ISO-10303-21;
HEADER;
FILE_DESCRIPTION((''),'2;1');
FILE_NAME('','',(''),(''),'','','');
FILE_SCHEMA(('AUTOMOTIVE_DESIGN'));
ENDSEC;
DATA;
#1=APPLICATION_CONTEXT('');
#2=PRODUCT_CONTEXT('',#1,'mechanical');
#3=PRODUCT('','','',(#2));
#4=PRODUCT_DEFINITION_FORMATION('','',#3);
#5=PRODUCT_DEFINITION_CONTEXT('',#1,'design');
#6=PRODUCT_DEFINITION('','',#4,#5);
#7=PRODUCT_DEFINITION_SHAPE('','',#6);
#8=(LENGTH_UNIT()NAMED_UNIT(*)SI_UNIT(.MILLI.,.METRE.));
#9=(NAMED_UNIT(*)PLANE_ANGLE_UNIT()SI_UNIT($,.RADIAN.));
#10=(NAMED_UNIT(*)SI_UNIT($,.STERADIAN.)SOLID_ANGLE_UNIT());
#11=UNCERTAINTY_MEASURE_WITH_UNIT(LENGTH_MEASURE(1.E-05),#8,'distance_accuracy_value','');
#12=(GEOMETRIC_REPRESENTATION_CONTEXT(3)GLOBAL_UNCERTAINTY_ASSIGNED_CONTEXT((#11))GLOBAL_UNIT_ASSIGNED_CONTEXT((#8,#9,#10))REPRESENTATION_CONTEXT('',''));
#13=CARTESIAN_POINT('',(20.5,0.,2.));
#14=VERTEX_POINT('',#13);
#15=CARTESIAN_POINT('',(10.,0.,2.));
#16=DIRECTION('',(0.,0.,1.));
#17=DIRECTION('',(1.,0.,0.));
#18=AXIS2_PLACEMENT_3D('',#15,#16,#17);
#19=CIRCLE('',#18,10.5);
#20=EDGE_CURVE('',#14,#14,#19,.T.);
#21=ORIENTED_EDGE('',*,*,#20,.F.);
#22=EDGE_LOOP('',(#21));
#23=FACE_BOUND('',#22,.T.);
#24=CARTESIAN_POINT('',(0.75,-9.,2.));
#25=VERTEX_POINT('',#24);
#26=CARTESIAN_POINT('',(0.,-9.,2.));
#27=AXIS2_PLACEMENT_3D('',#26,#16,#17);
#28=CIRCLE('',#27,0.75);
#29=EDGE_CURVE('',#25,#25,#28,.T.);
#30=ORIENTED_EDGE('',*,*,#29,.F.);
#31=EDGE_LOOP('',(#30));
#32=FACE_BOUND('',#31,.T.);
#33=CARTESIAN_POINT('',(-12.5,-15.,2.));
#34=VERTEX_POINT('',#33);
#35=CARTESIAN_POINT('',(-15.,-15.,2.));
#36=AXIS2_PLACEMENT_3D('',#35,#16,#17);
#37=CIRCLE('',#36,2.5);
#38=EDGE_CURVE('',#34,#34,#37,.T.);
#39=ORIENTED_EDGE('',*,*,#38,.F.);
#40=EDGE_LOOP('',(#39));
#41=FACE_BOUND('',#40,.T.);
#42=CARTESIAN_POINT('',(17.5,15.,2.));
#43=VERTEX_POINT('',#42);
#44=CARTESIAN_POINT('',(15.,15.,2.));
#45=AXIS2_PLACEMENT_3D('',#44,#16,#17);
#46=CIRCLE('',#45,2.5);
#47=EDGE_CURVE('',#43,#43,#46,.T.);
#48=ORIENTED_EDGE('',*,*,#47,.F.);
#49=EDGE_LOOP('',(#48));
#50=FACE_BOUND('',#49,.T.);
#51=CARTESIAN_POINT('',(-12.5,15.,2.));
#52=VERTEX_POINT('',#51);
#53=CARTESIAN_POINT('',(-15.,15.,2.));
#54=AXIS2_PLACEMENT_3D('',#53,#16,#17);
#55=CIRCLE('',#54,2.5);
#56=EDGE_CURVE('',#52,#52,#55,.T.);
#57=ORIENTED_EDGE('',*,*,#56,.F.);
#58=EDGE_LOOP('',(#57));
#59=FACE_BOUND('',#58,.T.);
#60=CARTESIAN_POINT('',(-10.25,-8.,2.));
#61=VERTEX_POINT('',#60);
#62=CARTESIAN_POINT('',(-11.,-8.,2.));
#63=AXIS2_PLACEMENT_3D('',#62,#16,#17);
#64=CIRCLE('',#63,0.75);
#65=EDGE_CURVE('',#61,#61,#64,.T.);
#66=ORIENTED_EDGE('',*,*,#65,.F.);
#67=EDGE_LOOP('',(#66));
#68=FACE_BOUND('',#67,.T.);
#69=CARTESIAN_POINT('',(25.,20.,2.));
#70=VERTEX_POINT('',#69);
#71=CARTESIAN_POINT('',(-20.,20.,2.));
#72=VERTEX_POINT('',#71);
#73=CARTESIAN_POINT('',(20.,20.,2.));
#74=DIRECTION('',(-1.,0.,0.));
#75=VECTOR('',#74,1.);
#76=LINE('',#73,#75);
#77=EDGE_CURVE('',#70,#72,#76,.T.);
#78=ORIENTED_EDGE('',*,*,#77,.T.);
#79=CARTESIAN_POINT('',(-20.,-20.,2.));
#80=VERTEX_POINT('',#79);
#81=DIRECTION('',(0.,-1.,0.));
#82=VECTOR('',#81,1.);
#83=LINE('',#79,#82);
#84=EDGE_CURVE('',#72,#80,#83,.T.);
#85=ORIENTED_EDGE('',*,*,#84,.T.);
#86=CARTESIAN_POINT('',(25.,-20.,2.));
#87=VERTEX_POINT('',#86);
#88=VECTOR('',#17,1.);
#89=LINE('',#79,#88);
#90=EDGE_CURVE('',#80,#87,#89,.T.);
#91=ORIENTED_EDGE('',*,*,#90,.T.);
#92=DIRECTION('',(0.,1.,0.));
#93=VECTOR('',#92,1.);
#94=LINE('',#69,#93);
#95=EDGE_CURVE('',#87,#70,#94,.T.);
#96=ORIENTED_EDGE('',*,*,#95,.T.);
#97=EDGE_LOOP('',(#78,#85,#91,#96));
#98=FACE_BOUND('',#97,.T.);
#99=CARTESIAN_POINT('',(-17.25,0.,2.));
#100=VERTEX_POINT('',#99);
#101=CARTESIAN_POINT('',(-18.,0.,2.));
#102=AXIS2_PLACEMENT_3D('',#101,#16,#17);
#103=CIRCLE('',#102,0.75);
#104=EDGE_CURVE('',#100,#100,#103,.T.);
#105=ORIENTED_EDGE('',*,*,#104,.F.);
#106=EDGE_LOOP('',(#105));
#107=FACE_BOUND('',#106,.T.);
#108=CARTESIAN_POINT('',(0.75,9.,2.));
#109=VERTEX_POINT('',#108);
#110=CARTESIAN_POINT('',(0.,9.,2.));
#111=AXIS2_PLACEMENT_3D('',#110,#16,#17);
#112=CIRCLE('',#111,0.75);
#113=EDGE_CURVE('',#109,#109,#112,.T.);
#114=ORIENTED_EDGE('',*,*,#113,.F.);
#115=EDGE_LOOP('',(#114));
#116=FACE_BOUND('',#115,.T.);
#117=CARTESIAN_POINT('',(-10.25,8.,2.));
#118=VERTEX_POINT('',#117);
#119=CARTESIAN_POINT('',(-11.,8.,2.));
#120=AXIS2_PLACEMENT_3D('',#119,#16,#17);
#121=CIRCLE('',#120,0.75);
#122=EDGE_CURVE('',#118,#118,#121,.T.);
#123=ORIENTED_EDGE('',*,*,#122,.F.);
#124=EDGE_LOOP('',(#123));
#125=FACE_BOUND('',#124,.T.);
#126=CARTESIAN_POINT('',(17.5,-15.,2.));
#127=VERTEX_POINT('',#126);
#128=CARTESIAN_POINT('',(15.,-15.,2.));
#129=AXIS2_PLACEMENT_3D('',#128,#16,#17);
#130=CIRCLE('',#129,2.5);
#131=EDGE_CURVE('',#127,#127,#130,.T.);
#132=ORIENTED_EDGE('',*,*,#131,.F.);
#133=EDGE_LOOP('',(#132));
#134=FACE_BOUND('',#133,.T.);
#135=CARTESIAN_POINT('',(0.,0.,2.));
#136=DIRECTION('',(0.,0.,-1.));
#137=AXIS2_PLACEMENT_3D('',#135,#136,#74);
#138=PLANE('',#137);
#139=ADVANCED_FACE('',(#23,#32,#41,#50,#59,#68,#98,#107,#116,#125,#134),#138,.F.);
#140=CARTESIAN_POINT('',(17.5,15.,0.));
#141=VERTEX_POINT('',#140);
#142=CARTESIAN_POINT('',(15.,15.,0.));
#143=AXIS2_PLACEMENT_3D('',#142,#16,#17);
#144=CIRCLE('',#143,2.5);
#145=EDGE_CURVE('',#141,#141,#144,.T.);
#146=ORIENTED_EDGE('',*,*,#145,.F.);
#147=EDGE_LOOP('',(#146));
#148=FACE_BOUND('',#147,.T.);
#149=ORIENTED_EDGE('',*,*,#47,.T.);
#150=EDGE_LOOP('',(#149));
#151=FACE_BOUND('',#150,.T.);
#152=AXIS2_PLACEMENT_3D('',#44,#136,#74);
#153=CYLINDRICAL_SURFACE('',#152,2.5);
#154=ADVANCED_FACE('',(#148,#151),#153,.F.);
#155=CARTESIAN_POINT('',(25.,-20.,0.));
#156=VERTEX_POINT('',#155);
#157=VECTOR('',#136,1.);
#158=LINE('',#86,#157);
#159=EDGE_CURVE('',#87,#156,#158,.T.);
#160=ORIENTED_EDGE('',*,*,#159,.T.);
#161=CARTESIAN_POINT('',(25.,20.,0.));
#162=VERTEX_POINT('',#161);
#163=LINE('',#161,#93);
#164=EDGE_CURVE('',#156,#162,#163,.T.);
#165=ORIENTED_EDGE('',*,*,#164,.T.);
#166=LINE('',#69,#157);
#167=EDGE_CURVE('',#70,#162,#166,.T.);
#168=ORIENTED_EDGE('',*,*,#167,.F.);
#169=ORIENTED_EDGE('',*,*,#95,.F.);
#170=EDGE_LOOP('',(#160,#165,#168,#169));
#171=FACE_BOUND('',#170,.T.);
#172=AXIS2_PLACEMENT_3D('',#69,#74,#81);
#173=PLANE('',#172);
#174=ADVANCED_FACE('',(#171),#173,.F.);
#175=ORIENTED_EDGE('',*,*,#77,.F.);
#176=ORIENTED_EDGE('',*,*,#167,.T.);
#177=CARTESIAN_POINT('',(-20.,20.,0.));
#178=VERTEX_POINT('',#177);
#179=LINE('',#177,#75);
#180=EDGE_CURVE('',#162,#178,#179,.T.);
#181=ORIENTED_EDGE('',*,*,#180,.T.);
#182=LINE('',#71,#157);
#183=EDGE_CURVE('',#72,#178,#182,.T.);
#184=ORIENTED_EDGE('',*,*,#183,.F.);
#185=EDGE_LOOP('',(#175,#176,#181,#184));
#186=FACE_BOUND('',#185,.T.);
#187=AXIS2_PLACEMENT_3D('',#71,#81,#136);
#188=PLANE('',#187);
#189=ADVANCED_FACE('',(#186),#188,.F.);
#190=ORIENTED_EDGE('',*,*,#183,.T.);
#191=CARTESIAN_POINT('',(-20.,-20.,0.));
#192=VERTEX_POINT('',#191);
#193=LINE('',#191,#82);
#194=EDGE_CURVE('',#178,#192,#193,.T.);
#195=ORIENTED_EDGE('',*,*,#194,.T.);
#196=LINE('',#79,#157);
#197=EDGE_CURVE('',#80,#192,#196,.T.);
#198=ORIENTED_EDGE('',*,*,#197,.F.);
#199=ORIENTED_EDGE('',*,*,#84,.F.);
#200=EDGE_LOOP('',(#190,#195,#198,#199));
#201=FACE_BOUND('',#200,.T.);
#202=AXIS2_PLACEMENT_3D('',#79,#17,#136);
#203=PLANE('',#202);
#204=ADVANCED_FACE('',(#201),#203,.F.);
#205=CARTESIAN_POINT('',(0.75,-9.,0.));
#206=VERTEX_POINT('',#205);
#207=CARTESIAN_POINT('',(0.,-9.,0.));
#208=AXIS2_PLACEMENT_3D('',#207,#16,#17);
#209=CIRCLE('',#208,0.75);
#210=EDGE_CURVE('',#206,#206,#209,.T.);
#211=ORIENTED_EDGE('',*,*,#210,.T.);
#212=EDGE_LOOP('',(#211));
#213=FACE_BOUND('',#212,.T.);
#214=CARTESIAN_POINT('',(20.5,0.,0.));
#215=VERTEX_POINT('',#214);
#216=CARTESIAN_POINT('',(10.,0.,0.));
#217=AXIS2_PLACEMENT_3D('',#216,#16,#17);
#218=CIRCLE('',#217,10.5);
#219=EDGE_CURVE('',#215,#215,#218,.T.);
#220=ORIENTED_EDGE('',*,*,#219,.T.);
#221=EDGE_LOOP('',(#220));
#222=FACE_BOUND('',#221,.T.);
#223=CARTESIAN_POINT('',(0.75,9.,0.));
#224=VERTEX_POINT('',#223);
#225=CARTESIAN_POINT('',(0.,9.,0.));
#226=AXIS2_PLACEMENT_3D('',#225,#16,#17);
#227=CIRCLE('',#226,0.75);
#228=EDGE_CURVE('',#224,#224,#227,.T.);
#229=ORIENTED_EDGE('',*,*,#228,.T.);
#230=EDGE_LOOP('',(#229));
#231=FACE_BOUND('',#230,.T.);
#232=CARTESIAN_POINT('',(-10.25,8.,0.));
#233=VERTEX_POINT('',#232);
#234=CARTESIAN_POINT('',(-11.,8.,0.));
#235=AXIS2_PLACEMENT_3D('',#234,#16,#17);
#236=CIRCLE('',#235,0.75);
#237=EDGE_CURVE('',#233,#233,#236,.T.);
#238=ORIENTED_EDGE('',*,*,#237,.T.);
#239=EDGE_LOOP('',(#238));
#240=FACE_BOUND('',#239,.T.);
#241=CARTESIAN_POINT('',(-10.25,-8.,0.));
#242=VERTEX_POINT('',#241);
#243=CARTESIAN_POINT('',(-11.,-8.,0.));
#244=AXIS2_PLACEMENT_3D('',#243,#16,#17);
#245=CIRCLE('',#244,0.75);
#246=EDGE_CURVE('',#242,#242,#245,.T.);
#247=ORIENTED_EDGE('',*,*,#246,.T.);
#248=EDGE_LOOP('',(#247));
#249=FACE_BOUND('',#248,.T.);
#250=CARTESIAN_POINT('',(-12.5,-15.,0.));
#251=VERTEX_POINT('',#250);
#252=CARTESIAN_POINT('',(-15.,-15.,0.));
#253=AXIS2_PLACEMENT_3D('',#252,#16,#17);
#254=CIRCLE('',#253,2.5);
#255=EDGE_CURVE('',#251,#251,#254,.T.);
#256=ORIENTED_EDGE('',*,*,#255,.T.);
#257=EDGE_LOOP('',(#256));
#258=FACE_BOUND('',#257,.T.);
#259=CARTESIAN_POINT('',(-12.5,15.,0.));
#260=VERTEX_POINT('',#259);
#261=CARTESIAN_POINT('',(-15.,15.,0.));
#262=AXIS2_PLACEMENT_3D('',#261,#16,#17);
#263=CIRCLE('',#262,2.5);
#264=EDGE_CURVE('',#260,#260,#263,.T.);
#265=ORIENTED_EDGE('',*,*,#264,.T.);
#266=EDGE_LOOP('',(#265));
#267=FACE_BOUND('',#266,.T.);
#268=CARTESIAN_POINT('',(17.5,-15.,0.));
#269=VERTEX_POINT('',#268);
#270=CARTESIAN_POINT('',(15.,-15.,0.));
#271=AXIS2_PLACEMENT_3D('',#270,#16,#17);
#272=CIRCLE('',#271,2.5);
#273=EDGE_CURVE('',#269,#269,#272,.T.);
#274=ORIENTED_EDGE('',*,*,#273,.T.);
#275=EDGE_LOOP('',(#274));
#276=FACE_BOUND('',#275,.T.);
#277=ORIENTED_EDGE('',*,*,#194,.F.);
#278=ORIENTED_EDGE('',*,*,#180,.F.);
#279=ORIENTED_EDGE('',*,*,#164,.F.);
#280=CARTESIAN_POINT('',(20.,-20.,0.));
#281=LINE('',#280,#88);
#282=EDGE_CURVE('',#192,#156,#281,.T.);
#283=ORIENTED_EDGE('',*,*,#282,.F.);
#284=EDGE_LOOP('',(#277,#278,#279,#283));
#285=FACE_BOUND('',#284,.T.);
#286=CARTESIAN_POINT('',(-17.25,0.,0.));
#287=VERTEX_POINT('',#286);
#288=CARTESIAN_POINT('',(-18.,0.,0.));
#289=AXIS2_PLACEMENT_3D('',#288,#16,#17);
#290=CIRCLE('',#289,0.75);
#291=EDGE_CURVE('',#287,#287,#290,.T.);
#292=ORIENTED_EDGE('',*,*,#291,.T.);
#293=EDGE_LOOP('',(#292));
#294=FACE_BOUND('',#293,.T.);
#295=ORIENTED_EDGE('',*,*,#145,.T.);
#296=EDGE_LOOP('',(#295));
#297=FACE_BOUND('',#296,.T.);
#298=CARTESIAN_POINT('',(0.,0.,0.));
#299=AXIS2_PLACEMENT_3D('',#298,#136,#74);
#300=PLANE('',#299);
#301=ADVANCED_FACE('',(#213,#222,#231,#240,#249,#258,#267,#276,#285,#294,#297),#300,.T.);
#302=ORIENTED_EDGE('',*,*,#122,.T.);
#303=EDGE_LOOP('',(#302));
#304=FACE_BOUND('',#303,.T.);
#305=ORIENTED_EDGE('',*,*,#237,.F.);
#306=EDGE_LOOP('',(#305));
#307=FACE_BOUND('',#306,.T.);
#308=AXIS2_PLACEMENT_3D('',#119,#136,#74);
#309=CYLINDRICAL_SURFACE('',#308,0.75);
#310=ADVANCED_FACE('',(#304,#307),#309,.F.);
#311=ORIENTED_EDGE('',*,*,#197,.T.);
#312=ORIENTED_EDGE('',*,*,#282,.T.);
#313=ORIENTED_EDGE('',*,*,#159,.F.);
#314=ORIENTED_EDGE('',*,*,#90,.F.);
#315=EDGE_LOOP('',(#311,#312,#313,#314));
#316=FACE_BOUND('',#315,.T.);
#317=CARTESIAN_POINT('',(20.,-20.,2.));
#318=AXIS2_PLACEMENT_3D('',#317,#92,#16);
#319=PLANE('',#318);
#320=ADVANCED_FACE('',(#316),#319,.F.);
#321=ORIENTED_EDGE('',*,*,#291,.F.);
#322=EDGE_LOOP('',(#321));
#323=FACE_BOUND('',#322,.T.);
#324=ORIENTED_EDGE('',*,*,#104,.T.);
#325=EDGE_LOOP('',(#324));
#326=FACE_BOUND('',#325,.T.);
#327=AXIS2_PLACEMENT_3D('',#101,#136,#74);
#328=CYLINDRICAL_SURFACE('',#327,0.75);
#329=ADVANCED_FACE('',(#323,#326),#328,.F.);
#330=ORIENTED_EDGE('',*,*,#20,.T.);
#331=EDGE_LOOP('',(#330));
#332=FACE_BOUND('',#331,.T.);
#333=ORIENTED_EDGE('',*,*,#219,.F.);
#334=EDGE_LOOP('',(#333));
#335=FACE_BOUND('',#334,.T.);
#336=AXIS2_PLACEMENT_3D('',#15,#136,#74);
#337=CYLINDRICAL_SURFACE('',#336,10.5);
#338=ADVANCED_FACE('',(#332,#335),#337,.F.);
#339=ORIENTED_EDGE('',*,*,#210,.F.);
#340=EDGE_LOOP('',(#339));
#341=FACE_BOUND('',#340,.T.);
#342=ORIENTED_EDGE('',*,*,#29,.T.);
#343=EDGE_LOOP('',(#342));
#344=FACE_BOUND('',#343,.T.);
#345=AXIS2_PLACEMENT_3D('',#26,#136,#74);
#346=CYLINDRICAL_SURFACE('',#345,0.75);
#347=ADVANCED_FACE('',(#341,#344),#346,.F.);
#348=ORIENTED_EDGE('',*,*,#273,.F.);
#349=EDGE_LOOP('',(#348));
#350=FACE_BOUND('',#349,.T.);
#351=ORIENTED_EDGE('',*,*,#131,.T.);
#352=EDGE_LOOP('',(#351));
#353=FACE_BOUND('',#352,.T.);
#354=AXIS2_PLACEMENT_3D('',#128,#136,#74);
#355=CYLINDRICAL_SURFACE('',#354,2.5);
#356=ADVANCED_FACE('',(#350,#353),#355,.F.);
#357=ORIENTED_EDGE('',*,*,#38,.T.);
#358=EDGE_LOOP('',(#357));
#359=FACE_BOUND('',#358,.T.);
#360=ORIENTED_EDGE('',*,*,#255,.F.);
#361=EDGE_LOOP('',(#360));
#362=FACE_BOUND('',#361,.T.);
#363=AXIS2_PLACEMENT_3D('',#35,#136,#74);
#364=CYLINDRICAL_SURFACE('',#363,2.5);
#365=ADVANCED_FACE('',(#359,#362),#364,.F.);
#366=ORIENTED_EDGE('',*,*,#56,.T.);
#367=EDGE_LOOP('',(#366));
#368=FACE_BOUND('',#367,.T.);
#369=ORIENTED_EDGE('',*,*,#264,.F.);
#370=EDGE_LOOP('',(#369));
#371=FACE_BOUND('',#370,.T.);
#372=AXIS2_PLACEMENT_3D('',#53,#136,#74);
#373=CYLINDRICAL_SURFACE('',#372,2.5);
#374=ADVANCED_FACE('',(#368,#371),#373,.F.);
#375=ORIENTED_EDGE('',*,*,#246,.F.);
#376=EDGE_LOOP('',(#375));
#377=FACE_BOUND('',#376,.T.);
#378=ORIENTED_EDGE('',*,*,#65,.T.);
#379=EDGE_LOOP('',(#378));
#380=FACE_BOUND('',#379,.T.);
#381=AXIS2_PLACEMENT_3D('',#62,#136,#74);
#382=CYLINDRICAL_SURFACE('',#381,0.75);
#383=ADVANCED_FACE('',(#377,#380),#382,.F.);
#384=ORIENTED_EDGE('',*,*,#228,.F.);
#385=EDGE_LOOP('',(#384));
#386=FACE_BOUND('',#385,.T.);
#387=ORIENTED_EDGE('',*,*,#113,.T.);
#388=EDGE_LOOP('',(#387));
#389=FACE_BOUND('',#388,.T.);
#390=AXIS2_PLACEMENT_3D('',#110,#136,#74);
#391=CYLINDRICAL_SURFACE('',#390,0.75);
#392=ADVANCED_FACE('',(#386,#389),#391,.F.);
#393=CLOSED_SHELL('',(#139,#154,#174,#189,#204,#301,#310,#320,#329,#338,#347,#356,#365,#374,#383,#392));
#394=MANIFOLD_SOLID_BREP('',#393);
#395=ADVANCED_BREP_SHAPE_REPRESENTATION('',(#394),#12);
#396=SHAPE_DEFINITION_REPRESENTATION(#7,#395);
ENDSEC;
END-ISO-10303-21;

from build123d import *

# Parameters (mm, degrees)
SKETCH_1_R      = 2.5
SKETCH_1_R_2    = 0.75
SKETCH_1_R_3    = 10.5
EXTRUDE_1_DEPTH = 2


with BuildPart() as part:
    # 草图1 → 凸台-拉伸1 (new body)
    with BuildSketch(Plane.XY):
        Polygon((-20, -20), (20, -20), (25, -20), (25, 20), (20, 20), (-20, 20), align=None)
        with Locations((-15, 15)):
            Circle(SKETCH_1_R, mode=Mode.SUBTRACT)
        with Locations((15, 15)):
            Circle(SKETCH_1_R, mode=Mode.SUBTRACT)
        with Locations((-15, -15)):
            Circle(SKETCH_1_R, mode=Mode.SUBTRACT)
        with Locations((15, -15)):
            Circle(SKETCH_1_R, mode=Mode.SUBTRACT)
        with Locations((-18, 0)):
            Circle(SKETCH_1_R_2, mode=Mode.SUBTRACT)
        with Locations((-11, 8)):
            Circle(SKETCH_1_R_2, mode=Mode.SUBTRACT)
        with Locations((0, 9)):
            Circle(SKETCH_1_R_2, mode=Mode.SUBTRACT)
        with Locations((-11, -8)):
            Circle(SKETCH_1_R_2, mode=Mode.SUBTRACT)
        with Locations((0, -9)):
            Circle(SKETCH_1_R_2, mode=Mode.SUBTRACT)
        with Locations((10, 0)):
            Circle(SKETCH_1_R_3, mode=Mode.SUBTRACT)
    extrude(amount=EXTRUDE_1_DEPTH)


solid = part.part
